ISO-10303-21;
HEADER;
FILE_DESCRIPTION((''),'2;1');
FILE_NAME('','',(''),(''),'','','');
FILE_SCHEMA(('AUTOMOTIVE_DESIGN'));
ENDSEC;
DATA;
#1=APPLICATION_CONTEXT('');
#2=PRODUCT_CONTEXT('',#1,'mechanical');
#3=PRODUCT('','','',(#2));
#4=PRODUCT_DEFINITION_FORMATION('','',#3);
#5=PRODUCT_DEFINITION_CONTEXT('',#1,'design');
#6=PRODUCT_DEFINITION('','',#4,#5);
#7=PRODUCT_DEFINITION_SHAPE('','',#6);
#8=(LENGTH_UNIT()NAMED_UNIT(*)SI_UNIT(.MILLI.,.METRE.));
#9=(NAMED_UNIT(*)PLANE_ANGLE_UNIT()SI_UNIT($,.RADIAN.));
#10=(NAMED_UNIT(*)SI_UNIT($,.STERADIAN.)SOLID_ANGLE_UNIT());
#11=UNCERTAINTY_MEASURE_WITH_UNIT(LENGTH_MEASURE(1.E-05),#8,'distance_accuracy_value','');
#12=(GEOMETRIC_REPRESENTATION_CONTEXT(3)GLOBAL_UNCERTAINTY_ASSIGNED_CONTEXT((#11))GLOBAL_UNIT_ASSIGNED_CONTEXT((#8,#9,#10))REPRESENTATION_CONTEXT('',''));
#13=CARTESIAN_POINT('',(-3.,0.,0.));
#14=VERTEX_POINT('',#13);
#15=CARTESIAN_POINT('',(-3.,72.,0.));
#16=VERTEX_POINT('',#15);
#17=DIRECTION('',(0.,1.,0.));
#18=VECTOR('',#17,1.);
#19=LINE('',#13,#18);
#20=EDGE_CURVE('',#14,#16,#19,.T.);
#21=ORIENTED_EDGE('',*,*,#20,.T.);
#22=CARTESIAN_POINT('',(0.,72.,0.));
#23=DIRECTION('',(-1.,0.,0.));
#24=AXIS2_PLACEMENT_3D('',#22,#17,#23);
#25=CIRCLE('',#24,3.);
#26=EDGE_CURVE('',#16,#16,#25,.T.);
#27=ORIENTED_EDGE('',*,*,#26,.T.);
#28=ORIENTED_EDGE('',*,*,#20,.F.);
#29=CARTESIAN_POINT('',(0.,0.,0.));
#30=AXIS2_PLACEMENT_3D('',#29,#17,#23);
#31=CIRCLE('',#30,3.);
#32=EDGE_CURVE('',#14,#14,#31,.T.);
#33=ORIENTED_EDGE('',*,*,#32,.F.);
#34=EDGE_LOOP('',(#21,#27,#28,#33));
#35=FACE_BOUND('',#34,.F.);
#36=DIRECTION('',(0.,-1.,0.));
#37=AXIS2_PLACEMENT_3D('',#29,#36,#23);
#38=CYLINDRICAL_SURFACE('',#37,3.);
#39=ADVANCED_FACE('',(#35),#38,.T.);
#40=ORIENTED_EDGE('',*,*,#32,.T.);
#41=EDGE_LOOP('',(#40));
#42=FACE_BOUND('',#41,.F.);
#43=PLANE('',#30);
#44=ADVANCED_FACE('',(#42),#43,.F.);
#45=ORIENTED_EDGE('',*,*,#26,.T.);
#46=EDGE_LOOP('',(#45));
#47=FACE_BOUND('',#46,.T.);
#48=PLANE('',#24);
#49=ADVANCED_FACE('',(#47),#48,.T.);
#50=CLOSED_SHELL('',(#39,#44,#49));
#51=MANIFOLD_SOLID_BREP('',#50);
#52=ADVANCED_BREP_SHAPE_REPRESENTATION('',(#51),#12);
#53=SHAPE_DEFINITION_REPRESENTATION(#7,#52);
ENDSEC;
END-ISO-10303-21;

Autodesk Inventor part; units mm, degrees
ref_plane "YZ Plane" through (0, 0, 0) normal (1, 0, 0) x (0, 1, 0)
ref_plane "XZ Plane" through (0, 0, 0) normal (0, 1, 0) x (-1, 0, 0)
ref_plane "XY Plane" through (0, 0, 0) normal (0, 0, 1) x (1, 0, 0)
sketch "Boceto1" plane through (0, 0, 0) normal (0, 1, 0) x (-1, 0, 0)
  circle A0 centre (0, 0) radius 3
  dimension "d0" = 6
extrude "Extrusión1" add sketch "Boceto1" along normal blind 72
properties part number "Pasador" material "Plástico PC/ABS"
